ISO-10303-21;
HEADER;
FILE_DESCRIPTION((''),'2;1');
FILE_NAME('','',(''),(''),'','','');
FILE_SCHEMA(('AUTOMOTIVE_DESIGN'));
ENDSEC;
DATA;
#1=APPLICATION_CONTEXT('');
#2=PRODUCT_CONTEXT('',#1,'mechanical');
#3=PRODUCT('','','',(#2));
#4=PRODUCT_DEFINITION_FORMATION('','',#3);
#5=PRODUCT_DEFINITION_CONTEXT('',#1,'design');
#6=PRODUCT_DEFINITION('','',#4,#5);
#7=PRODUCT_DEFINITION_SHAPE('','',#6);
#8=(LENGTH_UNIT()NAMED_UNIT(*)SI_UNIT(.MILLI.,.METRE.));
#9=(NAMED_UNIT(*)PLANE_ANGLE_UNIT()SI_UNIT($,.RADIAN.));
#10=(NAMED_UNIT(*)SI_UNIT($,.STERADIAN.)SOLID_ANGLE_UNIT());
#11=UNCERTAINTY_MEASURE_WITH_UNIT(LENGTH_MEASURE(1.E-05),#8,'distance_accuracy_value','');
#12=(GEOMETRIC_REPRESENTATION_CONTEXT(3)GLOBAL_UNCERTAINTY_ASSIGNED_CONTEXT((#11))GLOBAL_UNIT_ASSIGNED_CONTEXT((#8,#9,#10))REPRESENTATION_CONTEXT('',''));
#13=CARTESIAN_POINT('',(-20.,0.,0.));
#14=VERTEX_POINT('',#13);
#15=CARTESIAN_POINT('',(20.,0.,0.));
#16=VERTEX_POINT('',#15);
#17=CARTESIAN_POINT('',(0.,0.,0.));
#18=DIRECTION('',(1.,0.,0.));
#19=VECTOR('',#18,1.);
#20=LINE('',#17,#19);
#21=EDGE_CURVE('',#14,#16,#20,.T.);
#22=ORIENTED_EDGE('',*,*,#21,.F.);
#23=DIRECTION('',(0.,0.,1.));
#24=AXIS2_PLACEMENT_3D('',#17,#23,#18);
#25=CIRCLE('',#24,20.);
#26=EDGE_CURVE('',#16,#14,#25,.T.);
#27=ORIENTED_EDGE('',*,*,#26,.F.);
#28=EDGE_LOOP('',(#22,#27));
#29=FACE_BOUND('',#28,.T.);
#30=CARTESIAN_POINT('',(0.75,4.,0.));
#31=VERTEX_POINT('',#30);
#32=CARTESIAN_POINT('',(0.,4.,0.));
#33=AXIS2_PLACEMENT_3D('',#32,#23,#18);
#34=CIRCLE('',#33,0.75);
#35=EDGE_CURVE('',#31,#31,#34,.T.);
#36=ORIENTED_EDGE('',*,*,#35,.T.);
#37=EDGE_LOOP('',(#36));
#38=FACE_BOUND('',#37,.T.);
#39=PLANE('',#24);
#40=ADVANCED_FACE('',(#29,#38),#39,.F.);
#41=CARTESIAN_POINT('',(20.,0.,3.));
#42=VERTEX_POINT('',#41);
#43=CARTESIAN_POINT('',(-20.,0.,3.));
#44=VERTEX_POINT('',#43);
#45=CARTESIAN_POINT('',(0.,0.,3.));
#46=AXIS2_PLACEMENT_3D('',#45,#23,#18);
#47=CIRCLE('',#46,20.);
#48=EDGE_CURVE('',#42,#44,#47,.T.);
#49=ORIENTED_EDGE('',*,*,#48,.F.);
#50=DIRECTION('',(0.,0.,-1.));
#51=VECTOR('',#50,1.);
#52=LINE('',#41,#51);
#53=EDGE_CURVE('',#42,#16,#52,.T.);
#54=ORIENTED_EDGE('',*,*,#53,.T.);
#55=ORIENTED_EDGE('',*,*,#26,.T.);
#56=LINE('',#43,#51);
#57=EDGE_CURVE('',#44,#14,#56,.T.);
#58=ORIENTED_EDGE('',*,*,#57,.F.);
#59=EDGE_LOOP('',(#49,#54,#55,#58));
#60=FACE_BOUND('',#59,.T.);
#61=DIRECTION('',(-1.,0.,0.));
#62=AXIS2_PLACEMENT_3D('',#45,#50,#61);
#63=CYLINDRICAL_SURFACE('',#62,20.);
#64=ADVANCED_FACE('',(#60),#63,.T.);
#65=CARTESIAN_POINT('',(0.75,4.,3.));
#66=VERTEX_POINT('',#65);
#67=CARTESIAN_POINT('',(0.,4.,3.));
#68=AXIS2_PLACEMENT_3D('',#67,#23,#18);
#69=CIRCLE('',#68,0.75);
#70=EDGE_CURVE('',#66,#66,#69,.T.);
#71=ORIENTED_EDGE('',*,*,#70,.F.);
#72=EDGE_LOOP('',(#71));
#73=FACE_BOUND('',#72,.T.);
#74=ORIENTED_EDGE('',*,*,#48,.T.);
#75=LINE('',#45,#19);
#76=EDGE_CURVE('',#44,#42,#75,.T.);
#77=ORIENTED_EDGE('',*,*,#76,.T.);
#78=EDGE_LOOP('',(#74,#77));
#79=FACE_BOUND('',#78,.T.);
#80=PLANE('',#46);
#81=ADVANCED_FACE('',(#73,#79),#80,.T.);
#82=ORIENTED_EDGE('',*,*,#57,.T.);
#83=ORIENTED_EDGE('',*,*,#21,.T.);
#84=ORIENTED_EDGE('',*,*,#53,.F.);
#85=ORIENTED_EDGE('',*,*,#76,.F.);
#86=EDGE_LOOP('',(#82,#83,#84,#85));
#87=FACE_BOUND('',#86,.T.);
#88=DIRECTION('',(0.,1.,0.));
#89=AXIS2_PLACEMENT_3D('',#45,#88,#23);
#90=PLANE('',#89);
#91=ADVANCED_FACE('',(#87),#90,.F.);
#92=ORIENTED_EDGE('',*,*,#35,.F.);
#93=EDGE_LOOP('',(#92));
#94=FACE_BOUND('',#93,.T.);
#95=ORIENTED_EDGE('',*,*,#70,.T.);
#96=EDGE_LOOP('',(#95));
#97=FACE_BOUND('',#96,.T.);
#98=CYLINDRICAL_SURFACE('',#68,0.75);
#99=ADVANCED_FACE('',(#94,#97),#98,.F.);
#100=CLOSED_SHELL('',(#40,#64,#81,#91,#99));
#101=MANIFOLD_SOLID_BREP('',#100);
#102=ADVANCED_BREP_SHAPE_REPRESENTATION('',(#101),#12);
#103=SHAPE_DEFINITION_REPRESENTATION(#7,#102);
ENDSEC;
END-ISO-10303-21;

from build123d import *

# Parameters (mm, degrees)
BOSS_EXTRUDE1_DEPTH   = 3
F_1_5MM_DOWEL_HOLE1_D = 1.5


with BuildPart() as part:
    # Sketch1-disc_sketch<2> → Boss-Extrude1 (new body)
    with BuildSketch(Plane.XY):
        with BuildLine():
            ThreePointArc((20, 0), (0, 20), (-20, 0))
            Line((-20, 0), (20, 0))
        make_face()
    extrude(amount=BOSS_EXTRUDE1_DEPTH)

    # Ø1.5mm Dowel Hole1 (through all)
    with Locations(Plane.XY.offset(3)):
        with Locations((0, 4)):
            Hole(F_1_5MM_DOWEL_HOLE1_D / 2)


solid = part.part
